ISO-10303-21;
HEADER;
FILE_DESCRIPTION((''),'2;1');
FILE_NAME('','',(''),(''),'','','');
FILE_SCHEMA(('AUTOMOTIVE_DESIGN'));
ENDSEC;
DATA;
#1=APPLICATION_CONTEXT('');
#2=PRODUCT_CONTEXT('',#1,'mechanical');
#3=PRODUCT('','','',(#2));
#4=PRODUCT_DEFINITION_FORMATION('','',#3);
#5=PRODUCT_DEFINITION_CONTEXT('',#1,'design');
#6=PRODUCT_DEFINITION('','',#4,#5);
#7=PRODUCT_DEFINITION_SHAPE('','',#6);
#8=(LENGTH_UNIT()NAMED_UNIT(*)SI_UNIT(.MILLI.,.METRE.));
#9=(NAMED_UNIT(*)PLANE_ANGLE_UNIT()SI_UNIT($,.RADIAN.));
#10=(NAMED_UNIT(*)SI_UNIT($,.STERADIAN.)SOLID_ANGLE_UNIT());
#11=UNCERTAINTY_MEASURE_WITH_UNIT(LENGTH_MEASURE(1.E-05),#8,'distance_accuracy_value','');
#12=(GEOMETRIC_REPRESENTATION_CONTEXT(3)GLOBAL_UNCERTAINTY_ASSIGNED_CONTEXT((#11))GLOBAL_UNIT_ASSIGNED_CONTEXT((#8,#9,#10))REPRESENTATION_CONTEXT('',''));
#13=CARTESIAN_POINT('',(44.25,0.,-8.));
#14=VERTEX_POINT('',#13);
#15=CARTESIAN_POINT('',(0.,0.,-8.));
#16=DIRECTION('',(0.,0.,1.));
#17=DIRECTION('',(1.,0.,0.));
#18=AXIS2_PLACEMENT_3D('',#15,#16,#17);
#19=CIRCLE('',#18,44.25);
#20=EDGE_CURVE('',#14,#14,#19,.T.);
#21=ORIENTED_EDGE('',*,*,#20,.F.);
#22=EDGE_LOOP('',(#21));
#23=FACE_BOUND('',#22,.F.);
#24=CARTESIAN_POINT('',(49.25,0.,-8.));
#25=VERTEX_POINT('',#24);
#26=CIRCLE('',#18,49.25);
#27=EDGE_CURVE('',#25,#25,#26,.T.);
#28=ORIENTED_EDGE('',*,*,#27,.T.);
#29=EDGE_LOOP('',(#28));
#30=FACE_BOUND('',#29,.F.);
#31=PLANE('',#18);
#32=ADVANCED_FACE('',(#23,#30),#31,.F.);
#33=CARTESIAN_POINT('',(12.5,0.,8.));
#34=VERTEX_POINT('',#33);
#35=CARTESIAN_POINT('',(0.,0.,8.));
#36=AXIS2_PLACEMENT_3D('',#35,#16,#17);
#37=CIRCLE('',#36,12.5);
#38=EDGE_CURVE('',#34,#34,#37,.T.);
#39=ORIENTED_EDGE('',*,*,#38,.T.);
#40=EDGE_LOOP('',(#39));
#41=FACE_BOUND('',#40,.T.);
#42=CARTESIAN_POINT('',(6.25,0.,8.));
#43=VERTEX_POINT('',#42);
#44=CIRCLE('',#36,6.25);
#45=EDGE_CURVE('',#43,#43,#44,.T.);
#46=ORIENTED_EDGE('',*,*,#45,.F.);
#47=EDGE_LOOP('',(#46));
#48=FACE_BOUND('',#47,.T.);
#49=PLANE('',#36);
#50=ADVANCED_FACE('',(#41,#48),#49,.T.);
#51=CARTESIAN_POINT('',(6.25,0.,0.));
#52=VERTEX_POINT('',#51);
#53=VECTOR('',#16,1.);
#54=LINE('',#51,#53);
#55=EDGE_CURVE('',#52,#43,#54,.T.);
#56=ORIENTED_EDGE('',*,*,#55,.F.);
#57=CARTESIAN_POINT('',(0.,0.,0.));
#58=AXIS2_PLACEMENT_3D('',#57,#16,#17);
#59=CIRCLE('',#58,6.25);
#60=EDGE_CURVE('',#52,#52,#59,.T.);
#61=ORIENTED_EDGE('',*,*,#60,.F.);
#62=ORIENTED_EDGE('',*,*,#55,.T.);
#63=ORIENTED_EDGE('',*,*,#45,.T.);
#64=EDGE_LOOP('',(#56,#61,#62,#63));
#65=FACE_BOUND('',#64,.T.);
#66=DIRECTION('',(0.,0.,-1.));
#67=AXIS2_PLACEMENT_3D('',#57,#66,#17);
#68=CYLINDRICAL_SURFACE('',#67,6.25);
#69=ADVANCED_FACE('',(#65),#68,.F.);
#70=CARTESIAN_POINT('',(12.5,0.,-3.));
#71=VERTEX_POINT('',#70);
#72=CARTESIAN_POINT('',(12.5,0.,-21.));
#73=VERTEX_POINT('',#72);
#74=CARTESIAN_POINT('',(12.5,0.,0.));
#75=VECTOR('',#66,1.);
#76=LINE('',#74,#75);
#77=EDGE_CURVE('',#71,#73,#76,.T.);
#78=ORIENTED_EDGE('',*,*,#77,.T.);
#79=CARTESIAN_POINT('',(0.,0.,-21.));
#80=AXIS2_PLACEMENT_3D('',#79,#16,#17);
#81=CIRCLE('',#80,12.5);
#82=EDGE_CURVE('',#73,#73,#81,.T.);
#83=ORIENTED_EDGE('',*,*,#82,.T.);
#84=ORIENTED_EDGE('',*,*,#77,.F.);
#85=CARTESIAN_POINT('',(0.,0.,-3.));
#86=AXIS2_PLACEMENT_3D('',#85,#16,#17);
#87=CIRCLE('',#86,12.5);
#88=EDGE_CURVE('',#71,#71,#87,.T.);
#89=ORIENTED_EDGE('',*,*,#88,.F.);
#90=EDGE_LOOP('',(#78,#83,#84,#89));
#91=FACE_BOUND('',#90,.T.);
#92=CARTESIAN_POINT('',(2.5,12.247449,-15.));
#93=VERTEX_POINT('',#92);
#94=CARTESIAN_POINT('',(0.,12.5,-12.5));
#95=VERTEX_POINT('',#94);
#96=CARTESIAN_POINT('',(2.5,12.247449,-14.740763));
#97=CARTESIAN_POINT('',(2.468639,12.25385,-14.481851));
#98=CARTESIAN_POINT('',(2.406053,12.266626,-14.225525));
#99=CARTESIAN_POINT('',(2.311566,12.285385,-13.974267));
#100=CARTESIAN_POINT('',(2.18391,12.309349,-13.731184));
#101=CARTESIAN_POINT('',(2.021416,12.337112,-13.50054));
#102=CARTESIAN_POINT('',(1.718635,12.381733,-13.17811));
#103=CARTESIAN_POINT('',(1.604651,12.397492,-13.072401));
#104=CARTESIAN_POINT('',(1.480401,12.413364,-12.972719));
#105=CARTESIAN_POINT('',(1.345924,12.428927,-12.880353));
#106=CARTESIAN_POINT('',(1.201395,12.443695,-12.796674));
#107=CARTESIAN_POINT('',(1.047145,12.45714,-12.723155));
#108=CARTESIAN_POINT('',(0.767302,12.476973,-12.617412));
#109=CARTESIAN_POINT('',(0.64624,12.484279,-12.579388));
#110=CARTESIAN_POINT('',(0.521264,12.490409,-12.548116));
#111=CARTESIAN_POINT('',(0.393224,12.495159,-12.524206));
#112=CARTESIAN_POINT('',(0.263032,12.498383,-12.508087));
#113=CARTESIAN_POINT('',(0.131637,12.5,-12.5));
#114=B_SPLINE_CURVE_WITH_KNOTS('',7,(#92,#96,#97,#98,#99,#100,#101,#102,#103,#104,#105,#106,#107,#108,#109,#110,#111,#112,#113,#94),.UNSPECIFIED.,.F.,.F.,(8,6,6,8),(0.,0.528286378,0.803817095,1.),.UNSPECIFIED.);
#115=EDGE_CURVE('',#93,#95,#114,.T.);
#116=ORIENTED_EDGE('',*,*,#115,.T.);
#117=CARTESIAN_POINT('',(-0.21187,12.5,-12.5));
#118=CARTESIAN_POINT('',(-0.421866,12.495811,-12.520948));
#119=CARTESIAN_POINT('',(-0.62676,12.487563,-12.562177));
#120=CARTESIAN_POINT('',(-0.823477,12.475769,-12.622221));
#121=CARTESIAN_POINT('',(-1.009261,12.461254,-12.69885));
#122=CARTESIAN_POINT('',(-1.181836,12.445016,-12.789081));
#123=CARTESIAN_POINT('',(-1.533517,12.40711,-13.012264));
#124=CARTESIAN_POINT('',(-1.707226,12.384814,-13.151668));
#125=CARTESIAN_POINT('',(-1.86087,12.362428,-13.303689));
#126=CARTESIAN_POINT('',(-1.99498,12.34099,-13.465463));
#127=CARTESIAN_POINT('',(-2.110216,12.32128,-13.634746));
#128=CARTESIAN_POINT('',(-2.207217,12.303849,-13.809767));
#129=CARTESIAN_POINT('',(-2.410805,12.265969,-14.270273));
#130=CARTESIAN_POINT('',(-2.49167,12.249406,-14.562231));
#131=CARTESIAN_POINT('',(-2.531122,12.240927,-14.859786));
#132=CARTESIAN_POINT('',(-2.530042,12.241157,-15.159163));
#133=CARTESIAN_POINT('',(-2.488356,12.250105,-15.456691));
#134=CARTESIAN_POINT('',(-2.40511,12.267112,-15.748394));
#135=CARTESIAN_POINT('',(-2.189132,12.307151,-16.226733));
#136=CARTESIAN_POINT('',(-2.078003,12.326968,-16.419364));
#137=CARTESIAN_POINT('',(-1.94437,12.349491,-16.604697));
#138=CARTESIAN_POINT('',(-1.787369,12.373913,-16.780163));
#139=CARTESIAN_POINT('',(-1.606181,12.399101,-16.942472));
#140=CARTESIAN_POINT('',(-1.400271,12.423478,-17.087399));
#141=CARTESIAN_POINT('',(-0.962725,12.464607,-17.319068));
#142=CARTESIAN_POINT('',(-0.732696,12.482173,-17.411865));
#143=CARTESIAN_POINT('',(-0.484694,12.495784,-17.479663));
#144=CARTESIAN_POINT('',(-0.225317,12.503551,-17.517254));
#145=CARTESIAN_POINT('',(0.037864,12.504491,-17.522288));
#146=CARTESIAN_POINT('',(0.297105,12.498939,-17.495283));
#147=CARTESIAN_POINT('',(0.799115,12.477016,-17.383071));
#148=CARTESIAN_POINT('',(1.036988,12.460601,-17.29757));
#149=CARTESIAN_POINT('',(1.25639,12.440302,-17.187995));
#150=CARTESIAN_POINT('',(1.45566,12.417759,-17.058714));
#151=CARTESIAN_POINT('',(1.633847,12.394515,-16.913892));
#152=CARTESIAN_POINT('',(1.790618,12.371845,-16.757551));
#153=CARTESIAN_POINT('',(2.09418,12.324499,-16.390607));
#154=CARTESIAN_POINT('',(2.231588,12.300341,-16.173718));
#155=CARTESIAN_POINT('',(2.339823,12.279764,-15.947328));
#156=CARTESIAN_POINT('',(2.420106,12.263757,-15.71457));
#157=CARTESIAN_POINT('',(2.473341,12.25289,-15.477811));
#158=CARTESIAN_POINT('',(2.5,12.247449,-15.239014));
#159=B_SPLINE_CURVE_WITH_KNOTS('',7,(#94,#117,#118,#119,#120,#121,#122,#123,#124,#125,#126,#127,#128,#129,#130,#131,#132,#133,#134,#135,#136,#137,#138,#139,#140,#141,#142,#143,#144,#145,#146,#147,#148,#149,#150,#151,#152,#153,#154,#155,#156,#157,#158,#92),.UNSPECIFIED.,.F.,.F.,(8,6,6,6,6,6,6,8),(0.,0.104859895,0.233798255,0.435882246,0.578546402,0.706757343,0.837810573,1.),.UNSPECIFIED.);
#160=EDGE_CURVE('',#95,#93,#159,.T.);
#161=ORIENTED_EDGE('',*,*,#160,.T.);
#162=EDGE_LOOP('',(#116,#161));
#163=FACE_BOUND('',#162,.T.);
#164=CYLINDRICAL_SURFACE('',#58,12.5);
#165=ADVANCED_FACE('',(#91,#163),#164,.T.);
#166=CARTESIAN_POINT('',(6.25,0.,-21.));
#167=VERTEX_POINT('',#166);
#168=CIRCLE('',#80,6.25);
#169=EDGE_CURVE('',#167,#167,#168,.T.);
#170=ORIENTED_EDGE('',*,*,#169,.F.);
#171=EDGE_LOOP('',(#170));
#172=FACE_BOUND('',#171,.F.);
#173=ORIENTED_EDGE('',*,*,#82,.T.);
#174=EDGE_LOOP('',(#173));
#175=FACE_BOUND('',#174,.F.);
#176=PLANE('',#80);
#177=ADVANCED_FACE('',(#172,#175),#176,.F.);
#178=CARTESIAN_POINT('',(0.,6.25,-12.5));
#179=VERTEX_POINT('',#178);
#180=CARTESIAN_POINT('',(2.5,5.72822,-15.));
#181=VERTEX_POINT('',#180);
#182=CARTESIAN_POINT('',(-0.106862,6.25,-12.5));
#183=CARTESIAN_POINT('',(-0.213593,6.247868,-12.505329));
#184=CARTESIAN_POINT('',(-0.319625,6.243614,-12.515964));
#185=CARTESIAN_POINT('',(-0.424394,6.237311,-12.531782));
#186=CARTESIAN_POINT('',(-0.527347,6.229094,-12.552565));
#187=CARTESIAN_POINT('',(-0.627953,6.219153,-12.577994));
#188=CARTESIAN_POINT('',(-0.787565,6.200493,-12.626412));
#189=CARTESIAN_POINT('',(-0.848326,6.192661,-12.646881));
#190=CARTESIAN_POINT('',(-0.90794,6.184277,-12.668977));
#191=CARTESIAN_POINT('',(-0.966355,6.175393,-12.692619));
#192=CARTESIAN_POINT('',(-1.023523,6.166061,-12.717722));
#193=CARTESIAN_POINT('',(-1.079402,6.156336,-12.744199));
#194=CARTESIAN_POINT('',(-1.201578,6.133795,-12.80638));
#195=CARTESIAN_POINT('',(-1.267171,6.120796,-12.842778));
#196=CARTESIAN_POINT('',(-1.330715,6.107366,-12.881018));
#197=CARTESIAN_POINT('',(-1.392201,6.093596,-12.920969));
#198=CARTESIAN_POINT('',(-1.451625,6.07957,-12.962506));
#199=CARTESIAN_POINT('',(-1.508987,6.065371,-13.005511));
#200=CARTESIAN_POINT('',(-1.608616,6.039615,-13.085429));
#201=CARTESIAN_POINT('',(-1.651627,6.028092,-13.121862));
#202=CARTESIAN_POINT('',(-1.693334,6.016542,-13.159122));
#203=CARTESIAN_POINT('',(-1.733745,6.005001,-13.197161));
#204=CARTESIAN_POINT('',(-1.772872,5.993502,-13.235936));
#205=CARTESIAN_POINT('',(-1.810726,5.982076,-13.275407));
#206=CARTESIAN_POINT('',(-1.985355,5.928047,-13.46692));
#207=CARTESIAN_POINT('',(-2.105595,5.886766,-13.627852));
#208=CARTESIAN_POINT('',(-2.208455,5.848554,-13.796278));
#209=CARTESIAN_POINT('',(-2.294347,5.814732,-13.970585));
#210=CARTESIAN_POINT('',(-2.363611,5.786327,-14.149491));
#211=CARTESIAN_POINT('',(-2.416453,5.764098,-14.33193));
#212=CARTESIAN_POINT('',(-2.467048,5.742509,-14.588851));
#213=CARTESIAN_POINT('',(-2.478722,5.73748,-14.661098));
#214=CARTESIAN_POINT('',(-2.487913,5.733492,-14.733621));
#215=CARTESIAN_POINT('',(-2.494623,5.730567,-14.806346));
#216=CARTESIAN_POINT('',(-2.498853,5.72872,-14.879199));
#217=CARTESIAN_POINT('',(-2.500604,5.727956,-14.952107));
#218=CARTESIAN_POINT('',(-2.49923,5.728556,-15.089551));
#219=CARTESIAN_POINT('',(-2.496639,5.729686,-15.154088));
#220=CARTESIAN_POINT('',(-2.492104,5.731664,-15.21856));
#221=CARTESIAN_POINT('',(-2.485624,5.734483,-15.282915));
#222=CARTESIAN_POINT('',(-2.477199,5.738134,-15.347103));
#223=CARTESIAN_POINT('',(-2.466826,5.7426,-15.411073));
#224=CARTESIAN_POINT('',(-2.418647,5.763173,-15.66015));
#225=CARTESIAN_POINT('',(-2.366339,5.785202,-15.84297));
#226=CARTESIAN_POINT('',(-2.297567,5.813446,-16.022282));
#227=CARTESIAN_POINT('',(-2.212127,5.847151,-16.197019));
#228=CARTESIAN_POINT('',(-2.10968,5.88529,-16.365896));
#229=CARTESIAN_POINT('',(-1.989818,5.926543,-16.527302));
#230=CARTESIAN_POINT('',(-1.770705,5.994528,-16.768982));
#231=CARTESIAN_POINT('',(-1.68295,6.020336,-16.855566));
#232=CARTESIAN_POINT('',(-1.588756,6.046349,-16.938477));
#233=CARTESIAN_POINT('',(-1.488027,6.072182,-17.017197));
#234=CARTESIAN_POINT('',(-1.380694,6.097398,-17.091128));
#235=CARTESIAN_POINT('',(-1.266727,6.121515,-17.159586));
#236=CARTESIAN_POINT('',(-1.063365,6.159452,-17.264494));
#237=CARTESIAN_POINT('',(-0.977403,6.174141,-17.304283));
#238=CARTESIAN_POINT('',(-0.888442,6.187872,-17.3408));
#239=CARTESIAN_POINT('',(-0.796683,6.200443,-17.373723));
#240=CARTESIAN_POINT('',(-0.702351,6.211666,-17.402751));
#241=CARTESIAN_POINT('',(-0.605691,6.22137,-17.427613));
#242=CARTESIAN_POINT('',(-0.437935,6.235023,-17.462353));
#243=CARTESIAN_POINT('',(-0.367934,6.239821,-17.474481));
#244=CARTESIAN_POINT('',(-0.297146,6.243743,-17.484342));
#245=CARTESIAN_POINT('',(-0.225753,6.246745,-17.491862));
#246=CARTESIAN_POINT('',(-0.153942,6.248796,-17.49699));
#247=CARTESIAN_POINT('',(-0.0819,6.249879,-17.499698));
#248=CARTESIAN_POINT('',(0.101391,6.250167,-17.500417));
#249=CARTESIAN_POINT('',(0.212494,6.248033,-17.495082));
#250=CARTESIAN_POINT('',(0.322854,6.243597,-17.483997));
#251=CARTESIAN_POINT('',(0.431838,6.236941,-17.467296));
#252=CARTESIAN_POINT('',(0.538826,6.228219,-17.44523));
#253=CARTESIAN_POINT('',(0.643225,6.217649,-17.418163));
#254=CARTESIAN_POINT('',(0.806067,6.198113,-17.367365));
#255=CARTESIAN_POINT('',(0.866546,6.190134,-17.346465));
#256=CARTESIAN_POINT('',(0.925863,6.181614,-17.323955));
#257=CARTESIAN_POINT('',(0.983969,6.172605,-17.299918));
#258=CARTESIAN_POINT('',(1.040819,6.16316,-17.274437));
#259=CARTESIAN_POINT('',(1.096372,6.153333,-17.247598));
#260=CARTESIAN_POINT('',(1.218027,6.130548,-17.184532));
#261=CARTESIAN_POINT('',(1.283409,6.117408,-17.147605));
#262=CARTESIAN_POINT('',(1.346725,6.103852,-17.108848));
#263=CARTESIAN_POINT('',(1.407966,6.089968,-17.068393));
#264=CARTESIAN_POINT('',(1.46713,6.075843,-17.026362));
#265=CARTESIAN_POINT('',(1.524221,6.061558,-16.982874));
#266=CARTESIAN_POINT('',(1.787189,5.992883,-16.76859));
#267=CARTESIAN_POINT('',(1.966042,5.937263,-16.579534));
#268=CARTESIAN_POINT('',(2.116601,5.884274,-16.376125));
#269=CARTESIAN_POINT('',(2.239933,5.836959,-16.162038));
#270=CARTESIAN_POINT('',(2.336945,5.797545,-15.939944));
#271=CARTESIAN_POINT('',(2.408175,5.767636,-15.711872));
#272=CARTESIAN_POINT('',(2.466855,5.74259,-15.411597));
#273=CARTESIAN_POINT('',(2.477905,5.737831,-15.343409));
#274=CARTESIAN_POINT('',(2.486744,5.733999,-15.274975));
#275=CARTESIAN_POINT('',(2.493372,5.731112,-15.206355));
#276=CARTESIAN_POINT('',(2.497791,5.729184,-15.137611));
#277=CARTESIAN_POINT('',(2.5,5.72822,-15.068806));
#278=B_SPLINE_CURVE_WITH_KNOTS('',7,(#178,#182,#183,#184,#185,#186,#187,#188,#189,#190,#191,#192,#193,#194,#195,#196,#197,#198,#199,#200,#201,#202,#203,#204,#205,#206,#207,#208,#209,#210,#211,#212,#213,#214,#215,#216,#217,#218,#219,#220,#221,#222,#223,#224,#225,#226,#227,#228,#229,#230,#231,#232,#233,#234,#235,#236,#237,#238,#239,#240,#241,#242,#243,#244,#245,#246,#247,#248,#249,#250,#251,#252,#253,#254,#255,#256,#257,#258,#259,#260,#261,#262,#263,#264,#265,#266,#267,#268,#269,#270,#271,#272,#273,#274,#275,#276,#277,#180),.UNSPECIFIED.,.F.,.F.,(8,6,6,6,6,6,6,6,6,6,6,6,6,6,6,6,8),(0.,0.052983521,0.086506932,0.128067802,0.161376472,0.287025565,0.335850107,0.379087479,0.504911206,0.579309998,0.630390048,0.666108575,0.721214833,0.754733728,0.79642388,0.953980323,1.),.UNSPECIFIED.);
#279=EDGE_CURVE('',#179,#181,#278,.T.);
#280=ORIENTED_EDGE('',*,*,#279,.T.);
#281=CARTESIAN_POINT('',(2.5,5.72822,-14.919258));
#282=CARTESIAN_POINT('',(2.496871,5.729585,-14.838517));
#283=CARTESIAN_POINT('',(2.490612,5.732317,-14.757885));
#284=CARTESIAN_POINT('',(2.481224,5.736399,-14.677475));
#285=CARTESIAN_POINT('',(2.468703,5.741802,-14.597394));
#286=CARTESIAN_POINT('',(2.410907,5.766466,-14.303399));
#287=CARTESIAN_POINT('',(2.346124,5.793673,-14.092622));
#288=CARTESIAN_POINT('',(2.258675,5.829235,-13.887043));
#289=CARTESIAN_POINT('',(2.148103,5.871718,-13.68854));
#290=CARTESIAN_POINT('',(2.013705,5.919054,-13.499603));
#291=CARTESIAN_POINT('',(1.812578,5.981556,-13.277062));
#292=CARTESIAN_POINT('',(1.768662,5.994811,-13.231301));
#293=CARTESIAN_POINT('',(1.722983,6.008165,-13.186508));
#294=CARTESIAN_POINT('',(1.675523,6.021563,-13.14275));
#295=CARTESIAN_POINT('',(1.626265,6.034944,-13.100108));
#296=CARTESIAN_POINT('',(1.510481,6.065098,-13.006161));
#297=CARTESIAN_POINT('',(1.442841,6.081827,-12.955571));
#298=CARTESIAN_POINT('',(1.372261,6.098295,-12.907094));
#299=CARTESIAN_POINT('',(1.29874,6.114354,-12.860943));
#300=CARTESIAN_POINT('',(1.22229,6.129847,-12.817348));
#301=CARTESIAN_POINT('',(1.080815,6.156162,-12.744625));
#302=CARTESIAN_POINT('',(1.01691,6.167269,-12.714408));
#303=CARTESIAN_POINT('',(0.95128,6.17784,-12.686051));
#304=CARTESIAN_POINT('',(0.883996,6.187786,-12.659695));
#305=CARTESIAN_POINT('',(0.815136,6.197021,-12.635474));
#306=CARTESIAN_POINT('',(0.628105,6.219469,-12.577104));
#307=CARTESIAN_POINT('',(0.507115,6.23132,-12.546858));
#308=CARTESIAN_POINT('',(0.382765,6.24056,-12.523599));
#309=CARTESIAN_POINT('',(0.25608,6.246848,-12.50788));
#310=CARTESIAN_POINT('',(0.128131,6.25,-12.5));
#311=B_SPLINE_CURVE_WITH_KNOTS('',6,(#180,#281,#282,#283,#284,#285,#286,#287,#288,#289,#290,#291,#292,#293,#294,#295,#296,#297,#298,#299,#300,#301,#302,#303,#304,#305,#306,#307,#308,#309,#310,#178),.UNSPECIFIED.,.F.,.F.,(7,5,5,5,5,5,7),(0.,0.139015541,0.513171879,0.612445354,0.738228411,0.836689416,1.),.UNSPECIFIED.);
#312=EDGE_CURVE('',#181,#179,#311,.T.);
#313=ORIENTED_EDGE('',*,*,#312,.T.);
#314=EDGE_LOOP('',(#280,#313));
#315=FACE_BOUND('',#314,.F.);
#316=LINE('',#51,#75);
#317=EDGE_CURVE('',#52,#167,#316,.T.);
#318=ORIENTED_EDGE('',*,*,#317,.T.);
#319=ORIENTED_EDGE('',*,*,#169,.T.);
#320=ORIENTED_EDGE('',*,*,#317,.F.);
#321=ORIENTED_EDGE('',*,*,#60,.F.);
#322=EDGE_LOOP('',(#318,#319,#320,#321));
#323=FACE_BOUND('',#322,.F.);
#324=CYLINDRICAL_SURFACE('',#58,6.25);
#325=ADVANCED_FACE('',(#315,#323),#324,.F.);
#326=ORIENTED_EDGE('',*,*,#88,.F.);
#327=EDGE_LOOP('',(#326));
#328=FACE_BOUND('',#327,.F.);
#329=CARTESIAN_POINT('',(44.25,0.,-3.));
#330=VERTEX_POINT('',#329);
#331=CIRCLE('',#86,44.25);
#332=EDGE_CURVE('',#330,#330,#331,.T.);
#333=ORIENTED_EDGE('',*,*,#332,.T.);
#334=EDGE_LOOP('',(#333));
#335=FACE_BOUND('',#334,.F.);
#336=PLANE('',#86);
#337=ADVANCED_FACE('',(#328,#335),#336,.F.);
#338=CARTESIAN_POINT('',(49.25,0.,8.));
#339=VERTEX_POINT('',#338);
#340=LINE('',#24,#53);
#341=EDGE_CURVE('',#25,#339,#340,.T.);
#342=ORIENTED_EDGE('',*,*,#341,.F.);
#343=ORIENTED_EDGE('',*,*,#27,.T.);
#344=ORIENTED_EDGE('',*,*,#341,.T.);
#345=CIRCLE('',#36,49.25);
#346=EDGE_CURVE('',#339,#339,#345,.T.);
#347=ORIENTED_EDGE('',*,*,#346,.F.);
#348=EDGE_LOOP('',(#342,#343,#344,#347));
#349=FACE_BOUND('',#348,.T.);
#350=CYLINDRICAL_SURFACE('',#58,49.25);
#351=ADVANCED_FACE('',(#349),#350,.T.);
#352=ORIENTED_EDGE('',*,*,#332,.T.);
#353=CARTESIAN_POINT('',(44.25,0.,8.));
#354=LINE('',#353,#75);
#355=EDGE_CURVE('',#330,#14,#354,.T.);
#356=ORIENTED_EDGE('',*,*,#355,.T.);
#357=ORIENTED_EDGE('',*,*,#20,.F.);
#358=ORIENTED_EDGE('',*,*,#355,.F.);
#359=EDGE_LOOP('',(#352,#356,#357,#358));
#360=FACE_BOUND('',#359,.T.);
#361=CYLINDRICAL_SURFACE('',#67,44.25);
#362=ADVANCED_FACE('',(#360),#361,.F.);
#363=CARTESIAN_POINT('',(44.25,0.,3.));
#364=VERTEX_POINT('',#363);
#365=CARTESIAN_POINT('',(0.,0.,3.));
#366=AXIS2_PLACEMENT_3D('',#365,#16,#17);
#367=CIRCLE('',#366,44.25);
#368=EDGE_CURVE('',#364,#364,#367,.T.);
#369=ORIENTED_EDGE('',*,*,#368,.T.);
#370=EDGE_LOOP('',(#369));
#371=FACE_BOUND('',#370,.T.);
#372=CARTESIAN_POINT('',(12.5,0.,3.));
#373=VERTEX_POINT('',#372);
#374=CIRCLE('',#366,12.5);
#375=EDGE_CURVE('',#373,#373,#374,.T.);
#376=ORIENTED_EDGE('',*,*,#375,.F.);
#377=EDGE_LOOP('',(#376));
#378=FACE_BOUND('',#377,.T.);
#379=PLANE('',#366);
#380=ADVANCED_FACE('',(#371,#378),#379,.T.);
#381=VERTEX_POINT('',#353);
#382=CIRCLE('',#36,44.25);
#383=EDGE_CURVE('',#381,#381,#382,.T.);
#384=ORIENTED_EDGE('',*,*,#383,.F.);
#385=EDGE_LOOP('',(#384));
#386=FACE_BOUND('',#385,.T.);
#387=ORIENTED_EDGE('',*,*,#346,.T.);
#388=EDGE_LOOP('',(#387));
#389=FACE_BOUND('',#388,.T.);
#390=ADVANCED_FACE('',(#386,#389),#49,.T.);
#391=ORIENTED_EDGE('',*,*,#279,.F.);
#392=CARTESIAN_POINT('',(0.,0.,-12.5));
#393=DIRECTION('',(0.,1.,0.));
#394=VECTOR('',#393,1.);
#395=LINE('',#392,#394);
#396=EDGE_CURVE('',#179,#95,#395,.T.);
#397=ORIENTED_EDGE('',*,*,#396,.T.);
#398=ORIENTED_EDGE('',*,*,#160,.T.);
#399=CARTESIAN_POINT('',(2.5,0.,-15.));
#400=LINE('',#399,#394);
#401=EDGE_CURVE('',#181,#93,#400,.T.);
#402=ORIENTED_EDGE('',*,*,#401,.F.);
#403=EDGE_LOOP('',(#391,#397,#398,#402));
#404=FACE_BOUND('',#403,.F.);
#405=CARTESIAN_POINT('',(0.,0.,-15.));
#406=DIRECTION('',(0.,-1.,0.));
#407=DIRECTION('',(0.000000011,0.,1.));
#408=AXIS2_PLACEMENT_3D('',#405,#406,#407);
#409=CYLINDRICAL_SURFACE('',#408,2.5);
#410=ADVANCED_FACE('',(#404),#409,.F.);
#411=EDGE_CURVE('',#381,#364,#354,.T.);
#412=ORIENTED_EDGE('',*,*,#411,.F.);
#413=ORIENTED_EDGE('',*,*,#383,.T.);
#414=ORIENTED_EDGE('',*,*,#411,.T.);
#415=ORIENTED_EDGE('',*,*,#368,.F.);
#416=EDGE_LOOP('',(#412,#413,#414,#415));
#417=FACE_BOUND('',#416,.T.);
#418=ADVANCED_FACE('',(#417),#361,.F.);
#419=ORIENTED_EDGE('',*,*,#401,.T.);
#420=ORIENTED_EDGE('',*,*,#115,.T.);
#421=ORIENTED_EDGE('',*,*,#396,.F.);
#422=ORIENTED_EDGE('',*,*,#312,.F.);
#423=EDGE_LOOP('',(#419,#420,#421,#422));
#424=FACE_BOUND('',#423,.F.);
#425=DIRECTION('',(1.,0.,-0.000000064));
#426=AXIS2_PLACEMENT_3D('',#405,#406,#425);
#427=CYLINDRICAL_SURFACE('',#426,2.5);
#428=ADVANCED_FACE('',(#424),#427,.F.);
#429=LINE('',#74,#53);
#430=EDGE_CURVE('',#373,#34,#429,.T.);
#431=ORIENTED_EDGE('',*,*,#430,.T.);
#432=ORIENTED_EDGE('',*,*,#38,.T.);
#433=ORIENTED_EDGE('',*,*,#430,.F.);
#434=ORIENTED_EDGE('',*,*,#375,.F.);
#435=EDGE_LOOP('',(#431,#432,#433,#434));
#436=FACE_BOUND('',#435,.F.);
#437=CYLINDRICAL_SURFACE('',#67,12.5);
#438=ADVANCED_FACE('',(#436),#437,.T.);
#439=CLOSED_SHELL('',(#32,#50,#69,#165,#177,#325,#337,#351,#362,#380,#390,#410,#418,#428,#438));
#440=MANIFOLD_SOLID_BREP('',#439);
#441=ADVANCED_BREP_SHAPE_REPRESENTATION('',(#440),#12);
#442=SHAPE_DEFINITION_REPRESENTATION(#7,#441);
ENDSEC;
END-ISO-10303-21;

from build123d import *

# Parameters (mm, degrees)
F0_R          = 49.25
F0_R_2        = 44.25
F1_DEPTH      = 8
F0_R_3        = 12.5
F2_DEPTH      = 3
F0_R_4        = 6.25
F3_DEPTH      = 8
F3_DEPTH_BACK = 21
F5_DEPTH      = 25


with BuildPart() as f1:
    # F0 (on Top) → F1 (new body, symmetric)
    with BuildSketch(Plane.XY):
        Circle(F0_R)
        Circle(F0_R_2, mode=Mode.SUBTRACT)
    extrude(amount=F1_DEPTH, both=True)

    # F0 (on Top) → F2 (join, symmetric)
    with BuildSketch(Plane.XY):
        Circle(F0_R_2)
        Circle(F0_R_3, mode=Mode.SUBTRACT)
    extrude(amount=F2_DEPTH, both=True)

    # F0 (on Top) → F3 (join, two sides)
    with BuildSketch(Plane.XY) as f3_sk:
        Circle(F0_R_3)
        Circle(F0_R_4, mode=Mode.SUBTRACT)
    extrude(amount=F3_DEPTH)
    extrude(f3_sk.sketch, amount=-F3_DEPTH_BACK)

    # F4 (on Front) → F5 (cut)
    with BuildSketch(Plane.XZ):
        with BuildLine():
            ThreePointArc((0, -12.5), (-1.767767, -16.767767), (2.5, -15))
            ThreePointArc((2.5, -15), (1.767767, -13.232233), (0, -12.5))
        make_face()
    extrude(amount=-F5_DEPTH, mode=Mode.SUBTRACT)


solid = f1.part
